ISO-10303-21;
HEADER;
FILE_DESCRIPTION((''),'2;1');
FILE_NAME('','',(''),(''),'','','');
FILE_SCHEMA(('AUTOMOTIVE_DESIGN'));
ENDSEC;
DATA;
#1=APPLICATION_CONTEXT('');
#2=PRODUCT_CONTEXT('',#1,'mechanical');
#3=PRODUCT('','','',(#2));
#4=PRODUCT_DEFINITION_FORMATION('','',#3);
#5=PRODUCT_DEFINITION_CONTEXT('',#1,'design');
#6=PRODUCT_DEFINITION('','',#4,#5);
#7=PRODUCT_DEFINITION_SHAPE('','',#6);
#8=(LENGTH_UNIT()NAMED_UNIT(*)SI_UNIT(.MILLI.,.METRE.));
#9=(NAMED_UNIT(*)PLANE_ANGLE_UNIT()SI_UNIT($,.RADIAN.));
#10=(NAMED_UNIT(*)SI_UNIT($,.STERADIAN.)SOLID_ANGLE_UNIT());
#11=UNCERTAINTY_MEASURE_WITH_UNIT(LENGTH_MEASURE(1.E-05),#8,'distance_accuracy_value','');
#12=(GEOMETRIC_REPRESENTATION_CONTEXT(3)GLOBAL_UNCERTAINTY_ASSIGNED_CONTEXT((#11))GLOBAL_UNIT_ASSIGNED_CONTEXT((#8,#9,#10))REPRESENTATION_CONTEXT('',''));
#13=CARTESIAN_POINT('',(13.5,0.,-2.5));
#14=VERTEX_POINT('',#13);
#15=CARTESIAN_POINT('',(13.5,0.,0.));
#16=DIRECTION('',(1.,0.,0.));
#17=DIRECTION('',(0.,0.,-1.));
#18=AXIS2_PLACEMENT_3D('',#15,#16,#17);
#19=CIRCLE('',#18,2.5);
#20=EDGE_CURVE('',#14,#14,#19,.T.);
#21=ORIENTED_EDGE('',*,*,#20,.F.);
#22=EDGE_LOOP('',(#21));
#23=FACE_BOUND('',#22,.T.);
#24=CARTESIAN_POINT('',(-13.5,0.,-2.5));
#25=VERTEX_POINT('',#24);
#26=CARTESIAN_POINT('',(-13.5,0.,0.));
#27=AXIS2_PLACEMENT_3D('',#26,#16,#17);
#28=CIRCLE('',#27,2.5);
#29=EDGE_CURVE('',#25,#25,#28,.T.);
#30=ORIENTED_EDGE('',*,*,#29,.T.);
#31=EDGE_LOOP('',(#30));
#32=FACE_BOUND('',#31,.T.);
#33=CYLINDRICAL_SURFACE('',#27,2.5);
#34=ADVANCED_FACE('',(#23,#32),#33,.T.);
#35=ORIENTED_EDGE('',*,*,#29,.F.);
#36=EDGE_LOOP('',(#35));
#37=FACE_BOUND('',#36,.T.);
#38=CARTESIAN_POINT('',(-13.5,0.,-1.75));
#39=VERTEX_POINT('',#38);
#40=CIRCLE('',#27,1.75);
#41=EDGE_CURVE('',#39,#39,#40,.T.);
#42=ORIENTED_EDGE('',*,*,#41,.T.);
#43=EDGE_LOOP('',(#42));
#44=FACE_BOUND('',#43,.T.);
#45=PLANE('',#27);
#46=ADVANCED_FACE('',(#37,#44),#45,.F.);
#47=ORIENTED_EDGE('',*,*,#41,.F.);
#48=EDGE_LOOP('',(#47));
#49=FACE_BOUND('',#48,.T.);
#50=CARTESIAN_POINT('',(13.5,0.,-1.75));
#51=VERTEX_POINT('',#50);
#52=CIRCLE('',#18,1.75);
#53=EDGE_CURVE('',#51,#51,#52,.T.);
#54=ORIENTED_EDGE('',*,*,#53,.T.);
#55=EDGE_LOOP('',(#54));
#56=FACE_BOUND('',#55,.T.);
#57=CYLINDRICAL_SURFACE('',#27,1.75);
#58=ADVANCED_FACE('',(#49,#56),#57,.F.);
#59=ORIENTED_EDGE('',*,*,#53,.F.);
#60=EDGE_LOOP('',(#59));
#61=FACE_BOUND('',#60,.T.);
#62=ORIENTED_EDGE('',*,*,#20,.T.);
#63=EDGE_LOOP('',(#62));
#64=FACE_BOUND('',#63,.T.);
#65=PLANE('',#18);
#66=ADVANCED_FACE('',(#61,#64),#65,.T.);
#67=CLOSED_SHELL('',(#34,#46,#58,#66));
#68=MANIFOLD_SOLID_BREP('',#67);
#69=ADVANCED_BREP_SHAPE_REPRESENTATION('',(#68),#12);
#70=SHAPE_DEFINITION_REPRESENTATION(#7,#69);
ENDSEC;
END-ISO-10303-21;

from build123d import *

# Parameters (mm, degrees)
SALIENTE_EXTRUIR1_DEPTH      = 13.5
SALIENTE_EXTRUIR1_DEPTH_BACK = 13.5
CROQUIS1_R                   = 2.5
CROQUIS1_R_2                 = 1.75


with BuildPart() as part:
    # Croquis1 → Saliente-Extruir1 (new, two sides: drawn at the far end of the back side and taken through both)
    with BuildSketch(Plane(origin=(0, 0, 0), x_dir=(0, 0, -1), z_dir=(1, 0, 0)).offset(-SALIENTE_EXTRUIR1_DEPTH_BACK)):
        Circle(CROQUIS1_R)
        Circle(CROQUIS1_R_2, mode=Mode.SUBTRACT)
    extrude(amount=SALIENTE_EXTRUIR1_DEPTH + SALIENTE_EXTRUIR1_DEPTH_BACK)


solid = part.part
